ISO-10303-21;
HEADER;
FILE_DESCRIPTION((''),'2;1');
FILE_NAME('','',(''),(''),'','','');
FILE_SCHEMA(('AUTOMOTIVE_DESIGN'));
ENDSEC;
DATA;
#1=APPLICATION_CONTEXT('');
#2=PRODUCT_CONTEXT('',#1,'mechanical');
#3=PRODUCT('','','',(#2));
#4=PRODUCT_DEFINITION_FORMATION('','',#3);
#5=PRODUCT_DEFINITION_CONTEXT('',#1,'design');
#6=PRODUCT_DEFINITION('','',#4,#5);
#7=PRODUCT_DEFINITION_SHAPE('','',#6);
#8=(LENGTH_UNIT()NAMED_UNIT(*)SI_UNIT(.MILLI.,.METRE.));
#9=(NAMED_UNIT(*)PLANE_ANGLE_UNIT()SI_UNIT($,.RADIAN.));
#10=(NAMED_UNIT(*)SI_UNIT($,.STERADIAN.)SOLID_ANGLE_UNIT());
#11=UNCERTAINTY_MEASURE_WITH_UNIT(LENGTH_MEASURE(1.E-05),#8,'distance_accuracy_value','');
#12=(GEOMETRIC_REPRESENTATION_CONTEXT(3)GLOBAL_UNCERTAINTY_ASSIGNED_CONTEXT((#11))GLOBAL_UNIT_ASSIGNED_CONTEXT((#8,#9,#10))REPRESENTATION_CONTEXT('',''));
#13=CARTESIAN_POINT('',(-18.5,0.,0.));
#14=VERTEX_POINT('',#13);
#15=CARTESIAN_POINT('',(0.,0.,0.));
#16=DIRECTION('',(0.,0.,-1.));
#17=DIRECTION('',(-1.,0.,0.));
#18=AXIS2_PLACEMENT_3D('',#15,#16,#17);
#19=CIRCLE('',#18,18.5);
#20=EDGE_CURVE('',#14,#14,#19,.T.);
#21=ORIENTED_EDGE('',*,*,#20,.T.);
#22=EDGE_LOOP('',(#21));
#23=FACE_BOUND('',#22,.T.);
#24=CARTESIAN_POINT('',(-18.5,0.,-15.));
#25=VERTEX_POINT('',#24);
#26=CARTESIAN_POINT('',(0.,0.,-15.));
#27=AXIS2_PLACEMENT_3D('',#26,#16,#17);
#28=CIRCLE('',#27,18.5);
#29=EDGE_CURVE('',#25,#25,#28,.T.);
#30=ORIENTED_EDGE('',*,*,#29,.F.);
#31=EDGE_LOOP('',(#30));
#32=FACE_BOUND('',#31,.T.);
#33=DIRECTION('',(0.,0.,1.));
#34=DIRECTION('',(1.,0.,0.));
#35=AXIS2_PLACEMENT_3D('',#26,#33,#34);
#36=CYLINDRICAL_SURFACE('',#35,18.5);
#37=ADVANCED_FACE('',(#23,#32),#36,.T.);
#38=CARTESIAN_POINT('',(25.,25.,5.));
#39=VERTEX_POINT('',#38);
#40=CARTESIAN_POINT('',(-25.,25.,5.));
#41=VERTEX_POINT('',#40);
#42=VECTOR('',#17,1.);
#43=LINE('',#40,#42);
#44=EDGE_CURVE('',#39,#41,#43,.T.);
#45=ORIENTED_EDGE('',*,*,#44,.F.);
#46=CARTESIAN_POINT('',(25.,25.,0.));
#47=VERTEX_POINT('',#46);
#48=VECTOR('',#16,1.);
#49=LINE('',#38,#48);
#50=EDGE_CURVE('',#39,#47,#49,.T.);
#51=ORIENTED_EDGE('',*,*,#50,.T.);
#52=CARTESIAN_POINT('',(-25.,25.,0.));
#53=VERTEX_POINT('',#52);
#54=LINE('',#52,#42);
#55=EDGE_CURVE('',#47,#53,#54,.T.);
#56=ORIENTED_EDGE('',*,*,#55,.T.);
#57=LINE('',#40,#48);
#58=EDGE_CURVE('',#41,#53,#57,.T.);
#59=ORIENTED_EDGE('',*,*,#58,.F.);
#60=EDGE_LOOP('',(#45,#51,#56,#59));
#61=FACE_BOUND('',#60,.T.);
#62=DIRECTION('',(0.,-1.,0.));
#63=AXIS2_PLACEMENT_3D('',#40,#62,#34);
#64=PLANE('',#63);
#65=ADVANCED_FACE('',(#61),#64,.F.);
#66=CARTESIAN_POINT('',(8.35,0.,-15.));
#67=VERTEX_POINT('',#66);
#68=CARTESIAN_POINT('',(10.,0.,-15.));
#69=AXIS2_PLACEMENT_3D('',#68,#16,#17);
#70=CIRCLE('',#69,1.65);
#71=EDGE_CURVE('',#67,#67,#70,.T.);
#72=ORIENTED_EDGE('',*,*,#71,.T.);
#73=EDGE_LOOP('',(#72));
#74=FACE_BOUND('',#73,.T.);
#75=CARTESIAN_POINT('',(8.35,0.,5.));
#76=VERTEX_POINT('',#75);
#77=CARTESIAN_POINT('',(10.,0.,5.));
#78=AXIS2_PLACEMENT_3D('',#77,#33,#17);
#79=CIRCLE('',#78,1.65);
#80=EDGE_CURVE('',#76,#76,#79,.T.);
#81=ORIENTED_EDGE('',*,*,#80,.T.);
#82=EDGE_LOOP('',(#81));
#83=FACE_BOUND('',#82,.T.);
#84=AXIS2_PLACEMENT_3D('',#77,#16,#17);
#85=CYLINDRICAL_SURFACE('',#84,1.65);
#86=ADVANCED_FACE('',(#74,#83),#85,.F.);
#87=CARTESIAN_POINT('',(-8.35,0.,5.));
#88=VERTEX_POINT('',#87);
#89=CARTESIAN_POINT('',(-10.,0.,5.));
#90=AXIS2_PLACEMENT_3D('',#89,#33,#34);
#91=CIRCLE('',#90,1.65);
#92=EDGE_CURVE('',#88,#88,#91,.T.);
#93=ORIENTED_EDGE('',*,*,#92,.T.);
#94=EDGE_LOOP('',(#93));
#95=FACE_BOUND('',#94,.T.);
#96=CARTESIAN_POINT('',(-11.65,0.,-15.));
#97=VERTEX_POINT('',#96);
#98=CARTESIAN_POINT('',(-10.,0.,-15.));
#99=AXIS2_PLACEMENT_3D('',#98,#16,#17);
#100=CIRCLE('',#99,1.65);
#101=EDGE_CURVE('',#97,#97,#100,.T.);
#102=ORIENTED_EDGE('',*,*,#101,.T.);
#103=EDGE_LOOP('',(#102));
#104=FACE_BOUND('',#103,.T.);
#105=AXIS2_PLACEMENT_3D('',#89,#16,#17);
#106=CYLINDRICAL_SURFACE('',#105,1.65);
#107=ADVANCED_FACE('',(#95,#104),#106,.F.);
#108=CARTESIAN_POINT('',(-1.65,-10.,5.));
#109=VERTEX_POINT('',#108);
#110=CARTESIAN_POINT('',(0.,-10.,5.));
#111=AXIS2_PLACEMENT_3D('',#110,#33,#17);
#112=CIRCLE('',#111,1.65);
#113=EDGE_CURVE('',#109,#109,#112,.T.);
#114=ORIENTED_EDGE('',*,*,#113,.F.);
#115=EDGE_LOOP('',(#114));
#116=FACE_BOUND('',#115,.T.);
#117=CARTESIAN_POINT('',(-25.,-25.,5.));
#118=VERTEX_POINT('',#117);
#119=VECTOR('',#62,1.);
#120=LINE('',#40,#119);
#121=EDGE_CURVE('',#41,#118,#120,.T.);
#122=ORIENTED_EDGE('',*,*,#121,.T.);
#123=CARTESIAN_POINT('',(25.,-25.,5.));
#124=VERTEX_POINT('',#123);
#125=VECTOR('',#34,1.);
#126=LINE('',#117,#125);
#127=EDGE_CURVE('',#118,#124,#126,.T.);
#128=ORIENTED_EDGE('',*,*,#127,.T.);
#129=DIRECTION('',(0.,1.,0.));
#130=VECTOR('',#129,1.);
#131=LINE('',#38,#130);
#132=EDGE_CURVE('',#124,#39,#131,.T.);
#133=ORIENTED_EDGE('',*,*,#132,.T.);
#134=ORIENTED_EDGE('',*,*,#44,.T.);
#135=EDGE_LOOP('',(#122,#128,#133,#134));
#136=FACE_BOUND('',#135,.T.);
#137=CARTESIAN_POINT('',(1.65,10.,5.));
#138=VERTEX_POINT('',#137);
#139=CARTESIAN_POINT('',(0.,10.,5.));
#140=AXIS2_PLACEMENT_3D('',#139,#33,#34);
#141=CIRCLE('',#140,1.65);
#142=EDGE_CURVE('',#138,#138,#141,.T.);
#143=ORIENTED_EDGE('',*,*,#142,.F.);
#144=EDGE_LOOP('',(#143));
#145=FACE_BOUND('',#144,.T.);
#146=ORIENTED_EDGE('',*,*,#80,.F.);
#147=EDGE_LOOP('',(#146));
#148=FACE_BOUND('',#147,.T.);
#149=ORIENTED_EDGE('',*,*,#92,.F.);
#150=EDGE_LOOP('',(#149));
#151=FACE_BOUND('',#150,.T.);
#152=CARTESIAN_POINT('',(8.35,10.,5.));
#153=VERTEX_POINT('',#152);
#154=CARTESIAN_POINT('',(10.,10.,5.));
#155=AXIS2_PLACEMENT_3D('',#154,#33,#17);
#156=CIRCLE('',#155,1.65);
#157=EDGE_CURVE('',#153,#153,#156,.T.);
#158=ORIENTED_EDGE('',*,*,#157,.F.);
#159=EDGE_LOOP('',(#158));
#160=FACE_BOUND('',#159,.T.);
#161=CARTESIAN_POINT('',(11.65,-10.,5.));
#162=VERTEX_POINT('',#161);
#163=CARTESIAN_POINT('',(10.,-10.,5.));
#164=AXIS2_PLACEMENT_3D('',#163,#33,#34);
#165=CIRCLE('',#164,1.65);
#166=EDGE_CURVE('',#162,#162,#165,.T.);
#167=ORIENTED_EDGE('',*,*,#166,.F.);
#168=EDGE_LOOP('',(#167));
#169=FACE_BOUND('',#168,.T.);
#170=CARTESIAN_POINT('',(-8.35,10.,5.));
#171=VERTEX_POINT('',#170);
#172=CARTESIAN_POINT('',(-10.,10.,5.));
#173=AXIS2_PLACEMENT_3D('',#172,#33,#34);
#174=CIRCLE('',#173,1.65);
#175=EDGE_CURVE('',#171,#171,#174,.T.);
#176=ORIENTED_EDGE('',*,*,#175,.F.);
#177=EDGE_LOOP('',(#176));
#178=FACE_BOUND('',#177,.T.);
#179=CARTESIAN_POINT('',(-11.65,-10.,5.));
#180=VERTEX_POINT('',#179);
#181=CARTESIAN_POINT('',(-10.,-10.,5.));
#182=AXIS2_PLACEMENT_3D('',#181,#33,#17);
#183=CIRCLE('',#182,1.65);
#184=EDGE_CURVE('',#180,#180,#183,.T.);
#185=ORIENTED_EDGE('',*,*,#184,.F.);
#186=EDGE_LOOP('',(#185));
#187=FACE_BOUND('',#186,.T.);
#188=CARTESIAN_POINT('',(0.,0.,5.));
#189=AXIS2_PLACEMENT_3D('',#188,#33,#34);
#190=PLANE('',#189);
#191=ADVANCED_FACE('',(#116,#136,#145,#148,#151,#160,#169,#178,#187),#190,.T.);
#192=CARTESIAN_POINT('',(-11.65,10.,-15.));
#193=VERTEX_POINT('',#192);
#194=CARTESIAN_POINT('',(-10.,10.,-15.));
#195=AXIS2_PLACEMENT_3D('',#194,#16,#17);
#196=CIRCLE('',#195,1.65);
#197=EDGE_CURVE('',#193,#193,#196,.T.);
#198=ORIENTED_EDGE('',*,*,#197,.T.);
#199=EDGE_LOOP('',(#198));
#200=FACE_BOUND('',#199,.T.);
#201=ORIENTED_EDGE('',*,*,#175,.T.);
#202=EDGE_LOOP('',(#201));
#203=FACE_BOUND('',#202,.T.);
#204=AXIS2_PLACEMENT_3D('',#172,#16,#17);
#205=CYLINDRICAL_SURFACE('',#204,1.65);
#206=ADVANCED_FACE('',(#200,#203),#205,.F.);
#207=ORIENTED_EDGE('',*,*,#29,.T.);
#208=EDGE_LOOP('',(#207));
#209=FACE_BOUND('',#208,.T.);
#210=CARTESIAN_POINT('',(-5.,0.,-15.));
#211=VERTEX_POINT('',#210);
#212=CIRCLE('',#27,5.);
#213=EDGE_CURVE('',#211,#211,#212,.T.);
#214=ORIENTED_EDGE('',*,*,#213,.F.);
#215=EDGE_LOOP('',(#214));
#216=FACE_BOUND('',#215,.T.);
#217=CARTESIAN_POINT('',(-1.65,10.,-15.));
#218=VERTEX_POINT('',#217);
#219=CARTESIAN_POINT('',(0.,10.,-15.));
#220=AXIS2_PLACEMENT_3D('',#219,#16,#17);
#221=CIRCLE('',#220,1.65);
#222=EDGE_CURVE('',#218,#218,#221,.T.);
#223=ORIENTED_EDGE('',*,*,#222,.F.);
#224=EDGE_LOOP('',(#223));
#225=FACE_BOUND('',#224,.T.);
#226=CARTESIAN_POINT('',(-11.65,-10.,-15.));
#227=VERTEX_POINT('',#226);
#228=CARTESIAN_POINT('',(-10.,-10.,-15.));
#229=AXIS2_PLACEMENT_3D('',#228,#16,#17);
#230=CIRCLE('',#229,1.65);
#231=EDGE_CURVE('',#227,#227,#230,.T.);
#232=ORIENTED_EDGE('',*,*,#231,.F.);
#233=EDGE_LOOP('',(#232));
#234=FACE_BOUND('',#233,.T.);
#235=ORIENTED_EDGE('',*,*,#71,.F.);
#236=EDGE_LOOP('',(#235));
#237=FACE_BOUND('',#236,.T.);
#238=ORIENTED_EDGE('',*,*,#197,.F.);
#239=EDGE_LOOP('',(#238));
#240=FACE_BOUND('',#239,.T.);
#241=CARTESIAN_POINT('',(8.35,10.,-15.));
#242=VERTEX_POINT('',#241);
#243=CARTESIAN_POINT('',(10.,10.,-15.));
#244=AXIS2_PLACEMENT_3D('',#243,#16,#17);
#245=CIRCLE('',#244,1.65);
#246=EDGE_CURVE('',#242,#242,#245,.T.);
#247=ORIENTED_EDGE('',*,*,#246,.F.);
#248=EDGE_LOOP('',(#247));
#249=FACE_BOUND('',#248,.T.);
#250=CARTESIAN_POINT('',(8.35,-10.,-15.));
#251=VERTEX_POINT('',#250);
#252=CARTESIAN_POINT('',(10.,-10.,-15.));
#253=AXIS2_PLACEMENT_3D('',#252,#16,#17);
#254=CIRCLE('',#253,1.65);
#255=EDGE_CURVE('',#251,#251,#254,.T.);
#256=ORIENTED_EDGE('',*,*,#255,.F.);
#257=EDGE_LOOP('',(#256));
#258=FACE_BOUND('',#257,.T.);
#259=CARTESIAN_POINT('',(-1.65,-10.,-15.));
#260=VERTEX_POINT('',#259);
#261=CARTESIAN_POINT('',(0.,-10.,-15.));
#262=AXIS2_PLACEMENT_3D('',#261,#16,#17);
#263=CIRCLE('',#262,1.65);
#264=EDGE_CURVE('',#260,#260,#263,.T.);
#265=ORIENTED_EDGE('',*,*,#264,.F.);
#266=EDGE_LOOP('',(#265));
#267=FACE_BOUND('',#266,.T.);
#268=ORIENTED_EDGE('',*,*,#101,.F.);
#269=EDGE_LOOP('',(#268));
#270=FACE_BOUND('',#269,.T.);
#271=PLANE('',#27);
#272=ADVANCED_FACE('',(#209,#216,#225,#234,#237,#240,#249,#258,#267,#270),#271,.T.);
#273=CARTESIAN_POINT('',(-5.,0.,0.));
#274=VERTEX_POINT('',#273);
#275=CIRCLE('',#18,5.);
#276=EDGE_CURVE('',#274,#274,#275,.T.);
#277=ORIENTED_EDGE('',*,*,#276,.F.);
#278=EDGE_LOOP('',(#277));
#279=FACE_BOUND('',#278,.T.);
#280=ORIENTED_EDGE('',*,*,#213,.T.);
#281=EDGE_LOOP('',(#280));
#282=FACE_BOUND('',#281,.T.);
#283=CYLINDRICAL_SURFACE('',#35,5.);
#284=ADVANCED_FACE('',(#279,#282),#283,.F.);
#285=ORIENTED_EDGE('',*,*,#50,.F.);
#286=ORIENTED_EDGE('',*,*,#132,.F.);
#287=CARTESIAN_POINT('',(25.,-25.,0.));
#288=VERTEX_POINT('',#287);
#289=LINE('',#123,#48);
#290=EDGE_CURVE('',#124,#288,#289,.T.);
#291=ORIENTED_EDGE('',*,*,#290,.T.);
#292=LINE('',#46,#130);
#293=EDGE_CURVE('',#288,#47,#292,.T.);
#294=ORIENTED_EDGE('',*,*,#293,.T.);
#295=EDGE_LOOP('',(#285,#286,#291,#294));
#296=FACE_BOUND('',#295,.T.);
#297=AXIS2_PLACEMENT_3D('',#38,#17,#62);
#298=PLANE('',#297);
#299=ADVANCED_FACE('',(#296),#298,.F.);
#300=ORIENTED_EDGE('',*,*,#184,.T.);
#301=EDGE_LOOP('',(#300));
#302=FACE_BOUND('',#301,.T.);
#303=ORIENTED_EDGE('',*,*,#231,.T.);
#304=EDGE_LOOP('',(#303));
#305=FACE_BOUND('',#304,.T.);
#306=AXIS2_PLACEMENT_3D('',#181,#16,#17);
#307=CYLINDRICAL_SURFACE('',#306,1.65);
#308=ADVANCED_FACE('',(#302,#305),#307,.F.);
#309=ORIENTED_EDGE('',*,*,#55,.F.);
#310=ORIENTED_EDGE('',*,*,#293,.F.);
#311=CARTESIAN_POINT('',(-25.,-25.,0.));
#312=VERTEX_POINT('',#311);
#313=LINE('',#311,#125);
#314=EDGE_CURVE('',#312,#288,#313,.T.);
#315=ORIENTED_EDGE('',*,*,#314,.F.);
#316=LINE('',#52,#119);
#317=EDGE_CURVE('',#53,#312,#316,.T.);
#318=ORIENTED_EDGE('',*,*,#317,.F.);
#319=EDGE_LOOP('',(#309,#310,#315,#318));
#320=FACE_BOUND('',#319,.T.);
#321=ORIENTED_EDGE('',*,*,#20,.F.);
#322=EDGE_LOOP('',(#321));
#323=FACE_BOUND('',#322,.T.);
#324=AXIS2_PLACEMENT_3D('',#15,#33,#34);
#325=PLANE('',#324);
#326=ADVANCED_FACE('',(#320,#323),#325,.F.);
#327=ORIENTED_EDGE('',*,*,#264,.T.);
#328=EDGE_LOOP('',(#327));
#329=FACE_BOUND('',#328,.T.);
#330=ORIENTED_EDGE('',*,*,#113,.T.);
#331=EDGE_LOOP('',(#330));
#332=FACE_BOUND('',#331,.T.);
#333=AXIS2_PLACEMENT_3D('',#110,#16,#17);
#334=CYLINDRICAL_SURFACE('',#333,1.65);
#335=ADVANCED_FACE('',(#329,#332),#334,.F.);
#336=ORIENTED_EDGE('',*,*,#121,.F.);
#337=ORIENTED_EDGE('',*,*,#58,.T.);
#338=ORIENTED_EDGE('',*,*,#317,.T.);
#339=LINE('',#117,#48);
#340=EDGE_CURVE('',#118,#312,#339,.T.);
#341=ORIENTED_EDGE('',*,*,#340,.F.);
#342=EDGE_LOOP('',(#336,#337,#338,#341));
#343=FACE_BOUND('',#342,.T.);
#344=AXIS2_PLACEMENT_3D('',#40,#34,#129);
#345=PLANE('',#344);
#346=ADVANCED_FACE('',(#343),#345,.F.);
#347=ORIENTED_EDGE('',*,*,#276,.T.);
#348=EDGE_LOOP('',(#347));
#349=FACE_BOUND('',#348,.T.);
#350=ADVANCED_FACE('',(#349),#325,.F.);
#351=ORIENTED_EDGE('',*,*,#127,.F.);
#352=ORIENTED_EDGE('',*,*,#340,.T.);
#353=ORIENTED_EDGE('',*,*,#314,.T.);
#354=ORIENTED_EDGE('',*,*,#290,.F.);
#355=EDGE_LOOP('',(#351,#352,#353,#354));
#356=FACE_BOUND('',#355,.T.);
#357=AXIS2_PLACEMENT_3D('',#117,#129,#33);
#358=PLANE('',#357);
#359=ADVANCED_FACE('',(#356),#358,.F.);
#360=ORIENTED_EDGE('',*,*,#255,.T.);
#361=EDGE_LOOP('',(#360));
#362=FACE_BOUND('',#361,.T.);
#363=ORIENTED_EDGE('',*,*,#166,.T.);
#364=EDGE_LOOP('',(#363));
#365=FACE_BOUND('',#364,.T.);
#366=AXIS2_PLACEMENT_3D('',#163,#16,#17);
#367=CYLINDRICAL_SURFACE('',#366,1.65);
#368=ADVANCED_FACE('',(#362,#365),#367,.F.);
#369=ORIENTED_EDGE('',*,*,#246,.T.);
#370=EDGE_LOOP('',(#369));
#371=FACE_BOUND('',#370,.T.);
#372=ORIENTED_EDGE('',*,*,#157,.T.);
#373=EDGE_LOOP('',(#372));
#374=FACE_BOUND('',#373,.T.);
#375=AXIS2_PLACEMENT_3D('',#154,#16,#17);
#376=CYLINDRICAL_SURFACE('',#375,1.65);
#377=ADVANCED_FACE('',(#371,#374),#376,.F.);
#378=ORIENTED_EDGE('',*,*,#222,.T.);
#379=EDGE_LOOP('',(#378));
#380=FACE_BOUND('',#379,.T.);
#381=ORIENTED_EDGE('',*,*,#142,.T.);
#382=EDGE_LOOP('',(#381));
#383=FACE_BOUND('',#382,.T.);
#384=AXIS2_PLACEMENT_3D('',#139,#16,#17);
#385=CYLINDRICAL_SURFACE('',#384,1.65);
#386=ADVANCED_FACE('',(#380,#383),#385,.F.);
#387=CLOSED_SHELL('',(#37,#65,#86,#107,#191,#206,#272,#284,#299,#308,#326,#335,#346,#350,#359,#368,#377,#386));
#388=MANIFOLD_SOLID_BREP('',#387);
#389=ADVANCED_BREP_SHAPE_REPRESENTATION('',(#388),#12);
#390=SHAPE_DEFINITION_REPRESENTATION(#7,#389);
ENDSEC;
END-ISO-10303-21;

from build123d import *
from build123d.topology import SkipClean

# Parameters (mm, degrees)
SKETCH_1_W      = 50
SKETCH_1_H      = 50
SKETCH_1_R      = 1.65
EXTRUDE_1_DEPTH = 5
EXTRUDE_START   = 15
SKETCH_4_R      = 18.5
SKETCH_4_R_2    = 1.65
SKETCH_4_R_3    = 5
EXTRUDE_4_DEPTH = 15


with BuildPart() as part:
    # 草图1 → 凸台-拉伸1 (new body)
    with BuildSketch(Plane.XY):
        Rectangle(SKETCH_1_W, SKETCH_1_H)
        with Locations((-10, 10)):
            Circle(SKETCH_1_R, mode=Mode.SUBTRACT)
        with Locations((0, 10)):
            Circle(SKETCH_1_R, mode=Mode.SUBTRACT)
        with Locations((-10, 0)):
            Circle(SKETCH_1_R, mode=Mode.SUBTRACT)
        with Locations(Location((-10, -10, 0), (0, 0, 180))):
            Circle(SKETCH_1_R, mode=Mode.SUBTRACT)
        with Locations(Location((0, -10, 0), (0, 0, 180))):
            Circle(SKETCH_1_R, mode=Mode.SUBTRACT)
        with Locations((10, -10)):
            Circle(SKETCH_1_R, mode=Mode.SUBTRACT)
        with Locations(Location((10, 0, 0), (0, 0, 180))):
            Circle(SKETCH_1_R, mode=Mode.SUBTRACT)
        with Locations(Location((10, 10, 0), (0, 0, 180))):
            Circle(SKETCH_1_R, mode=Mode.SUBTRACT)
    extrude(amount=EXTRUDE_1_DEPTH)

    # 草图4 → 凸台-拉伸4 (add)
    with SkipClean():  # the faces are left unmerged after this step: merging them gives an invalid solid
        with BuildSketch(Plane(origin=(0, 0, 0), x_dir=(-1, 0, 0), z_dir=(0, 0, -1)).offset(EXTRUDE_START)):
            Circle(SKETCH_4_R)
            with Locations((10, -10)):
                Circle(SKETCH_4_R_2, mode=Mode.SUBTRACT)
            with Locations((0, -10)):
                Circle(SKETCH_4_R_2, mode=Mode.SUBTRACT)
            with Locations((-10, -10)):
                Circle(SKETCH_4_R_2, mode=Mode.SUBTRACT)
            with Locations((10, 0)):
                Circle(SKETCH_4_R_2, mode=Mode.SUBTRACT)
            with Locations((-10, 0)):
                Circle(SKETCH_4_R_2, mode=Mode.SUBTRACT)
            with Locations((10, 10)):
                Circle(SKETCH_4_R_2, mode=Mode.SUBTRACT)
            with Locations((0, 10)):
                Circle(SKETCH_4_R_2, mode=Mode.SUBTRACT)
            Circle(SKETCH_4_R_3, mode=Mode.SUBTRACT)
            with Locations((-10, 10)):
                Circle(SKETCH_4_R_2, mode=Mode.SUBTRACT)
        extrude(amount=-EXTRUDE_4_DEPTH)


solid = part.part
